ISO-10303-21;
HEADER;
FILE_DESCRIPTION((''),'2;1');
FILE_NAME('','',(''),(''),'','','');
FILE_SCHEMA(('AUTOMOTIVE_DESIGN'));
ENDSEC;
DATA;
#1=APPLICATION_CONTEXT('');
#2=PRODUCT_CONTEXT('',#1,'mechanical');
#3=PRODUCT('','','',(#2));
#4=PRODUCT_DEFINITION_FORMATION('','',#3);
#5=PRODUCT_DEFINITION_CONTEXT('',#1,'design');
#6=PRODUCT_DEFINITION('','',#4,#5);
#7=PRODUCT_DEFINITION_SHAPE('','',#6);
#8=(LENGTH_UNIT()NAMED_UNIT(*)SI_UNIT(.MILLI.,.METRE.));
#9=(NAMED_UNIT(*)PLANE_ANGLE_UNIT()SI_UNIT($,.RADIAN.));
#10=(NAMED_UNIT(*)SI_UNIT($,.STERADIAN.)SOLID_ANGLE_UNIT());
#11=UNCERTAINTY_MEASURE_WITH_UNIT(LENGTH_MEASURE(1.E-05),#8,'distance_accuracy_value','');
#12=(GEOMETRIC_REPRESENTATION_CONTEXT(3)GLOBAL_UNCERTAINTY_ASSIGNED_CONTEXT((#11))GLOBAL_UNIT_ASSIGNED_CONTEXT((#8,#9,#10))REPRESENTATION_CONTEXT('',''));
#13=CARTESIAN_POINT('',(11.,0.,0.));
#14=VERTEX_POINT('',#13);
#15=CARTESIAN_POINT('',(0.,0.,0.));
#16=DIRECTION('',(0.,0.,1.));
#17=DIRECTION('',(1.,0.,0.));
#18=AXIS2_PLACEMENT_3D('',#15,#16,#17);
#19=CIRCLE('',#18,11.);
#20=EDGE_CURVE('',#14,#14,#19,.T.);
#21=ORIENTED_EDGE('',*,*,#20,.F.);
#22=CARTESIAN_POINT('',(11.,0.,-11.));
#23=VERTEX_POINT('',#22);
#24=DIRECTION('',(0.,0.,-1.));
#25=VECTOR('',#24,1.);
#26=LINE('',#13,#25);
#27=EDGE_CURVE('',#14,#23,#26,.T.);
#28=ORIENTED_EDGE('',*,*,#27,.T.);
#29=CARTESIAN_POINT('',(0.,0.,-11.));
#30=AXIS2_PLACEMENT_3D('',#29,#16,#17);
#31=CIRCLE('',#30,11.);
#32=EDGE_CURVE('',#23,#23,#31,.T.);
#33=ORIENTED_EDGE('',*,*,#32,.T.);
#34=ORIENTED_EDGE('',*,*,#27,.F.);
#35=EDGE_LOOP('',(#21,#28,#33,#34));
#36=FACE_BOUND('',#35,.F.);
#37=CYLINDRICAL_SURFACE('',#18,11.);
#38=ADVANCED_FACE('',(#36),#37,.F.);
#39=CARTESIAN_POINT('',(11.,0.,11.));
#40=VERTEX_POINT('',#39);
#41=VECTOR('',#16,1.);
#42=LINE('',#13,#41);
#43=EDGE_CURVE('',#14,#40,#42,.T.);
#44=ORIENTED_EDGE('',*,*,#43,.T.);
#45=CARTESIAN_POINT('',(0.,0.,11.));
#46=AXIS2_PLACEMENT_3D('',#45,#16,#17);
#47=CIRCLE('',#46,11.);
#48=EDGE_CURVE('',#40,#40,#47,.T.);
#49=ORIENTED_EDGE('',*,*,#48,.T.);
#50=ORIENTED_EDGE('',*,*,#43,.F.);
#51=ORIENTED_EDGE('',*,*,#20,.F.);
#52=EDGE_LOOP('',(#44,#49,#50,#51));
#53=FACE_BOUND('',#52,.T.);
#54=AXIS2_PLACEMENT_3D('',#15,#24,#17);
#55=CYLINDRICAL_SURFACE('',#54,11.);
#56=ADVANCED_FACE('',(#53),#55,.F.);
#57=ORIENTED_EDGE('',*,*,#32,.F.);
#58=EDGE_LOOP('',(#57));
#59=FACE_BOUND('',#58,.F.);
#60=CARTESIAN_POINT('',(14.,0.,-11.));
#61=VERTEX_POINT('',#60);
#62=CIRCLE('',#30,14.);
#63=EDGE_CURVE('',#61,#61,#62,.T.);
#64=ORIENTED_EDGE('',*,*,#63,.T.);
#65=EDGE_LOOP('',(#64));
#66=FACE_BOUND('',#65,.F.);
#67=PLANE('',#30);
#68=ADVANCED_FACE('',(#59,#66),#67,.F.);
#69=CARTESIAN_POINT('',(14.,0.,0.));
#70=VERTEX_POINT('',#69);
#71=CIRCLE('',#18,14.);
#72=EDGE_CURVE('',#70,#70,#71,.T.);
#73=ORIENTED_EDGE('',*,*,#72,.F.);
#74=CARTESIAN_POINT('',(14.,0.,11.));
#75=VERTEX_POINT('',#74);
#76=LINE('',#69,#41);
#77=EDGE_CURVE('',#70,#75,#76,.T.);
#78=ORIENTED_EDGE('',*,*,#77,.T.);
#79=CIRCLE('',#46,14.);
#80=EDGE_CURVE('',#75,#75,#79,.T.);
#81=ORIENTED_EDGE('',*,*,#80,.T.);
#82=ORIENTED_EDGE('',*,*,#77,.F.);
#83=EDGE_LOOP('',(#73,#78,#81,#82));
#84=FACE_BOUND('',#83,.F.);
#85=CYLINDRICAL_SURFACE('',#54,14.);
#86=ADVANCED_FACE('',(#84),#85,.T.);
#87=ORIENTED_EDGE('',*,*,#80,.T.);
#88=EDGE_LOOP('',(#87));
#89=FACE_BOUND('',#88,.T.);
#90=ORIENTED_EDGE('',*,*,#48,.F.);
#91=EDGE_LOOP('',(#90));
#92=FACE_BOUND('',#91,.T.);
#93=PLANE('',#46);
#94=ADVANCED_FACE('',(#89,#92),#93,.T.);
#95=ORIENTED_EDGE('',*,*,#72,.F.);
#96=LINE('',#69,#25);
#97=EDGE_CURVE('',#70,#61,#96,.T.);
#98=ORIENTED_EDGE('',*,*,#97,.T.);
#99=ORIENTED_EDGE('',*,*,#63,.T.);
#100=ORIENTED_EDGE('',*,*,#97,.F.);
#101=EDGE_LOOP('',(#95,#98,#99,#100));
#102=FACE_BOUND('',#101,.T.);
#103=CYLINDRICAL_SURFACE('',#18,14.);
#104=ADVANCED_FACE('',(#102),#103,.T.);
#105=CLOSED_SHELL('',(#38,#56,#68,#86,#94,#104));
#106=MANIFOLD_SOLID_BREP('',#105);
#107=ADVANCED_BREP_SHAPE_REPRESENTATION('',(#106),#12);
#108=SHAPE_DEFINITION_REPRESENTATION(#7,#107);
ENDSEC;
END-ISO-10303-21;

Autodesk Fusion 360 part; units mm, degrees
sketch "Sketch1" plane through (0, 0, 0) normal (0, 0, 1) x (1, 0, 0)
  circle A0 centre (0, 0) radius 14
  circle A1 centre (0, 0) radius 11
  dimension "d1" = 28
  dimension "d2" = 3
extrude "Extrude1" add sketch "Sketch1" along normal mid plane 22
